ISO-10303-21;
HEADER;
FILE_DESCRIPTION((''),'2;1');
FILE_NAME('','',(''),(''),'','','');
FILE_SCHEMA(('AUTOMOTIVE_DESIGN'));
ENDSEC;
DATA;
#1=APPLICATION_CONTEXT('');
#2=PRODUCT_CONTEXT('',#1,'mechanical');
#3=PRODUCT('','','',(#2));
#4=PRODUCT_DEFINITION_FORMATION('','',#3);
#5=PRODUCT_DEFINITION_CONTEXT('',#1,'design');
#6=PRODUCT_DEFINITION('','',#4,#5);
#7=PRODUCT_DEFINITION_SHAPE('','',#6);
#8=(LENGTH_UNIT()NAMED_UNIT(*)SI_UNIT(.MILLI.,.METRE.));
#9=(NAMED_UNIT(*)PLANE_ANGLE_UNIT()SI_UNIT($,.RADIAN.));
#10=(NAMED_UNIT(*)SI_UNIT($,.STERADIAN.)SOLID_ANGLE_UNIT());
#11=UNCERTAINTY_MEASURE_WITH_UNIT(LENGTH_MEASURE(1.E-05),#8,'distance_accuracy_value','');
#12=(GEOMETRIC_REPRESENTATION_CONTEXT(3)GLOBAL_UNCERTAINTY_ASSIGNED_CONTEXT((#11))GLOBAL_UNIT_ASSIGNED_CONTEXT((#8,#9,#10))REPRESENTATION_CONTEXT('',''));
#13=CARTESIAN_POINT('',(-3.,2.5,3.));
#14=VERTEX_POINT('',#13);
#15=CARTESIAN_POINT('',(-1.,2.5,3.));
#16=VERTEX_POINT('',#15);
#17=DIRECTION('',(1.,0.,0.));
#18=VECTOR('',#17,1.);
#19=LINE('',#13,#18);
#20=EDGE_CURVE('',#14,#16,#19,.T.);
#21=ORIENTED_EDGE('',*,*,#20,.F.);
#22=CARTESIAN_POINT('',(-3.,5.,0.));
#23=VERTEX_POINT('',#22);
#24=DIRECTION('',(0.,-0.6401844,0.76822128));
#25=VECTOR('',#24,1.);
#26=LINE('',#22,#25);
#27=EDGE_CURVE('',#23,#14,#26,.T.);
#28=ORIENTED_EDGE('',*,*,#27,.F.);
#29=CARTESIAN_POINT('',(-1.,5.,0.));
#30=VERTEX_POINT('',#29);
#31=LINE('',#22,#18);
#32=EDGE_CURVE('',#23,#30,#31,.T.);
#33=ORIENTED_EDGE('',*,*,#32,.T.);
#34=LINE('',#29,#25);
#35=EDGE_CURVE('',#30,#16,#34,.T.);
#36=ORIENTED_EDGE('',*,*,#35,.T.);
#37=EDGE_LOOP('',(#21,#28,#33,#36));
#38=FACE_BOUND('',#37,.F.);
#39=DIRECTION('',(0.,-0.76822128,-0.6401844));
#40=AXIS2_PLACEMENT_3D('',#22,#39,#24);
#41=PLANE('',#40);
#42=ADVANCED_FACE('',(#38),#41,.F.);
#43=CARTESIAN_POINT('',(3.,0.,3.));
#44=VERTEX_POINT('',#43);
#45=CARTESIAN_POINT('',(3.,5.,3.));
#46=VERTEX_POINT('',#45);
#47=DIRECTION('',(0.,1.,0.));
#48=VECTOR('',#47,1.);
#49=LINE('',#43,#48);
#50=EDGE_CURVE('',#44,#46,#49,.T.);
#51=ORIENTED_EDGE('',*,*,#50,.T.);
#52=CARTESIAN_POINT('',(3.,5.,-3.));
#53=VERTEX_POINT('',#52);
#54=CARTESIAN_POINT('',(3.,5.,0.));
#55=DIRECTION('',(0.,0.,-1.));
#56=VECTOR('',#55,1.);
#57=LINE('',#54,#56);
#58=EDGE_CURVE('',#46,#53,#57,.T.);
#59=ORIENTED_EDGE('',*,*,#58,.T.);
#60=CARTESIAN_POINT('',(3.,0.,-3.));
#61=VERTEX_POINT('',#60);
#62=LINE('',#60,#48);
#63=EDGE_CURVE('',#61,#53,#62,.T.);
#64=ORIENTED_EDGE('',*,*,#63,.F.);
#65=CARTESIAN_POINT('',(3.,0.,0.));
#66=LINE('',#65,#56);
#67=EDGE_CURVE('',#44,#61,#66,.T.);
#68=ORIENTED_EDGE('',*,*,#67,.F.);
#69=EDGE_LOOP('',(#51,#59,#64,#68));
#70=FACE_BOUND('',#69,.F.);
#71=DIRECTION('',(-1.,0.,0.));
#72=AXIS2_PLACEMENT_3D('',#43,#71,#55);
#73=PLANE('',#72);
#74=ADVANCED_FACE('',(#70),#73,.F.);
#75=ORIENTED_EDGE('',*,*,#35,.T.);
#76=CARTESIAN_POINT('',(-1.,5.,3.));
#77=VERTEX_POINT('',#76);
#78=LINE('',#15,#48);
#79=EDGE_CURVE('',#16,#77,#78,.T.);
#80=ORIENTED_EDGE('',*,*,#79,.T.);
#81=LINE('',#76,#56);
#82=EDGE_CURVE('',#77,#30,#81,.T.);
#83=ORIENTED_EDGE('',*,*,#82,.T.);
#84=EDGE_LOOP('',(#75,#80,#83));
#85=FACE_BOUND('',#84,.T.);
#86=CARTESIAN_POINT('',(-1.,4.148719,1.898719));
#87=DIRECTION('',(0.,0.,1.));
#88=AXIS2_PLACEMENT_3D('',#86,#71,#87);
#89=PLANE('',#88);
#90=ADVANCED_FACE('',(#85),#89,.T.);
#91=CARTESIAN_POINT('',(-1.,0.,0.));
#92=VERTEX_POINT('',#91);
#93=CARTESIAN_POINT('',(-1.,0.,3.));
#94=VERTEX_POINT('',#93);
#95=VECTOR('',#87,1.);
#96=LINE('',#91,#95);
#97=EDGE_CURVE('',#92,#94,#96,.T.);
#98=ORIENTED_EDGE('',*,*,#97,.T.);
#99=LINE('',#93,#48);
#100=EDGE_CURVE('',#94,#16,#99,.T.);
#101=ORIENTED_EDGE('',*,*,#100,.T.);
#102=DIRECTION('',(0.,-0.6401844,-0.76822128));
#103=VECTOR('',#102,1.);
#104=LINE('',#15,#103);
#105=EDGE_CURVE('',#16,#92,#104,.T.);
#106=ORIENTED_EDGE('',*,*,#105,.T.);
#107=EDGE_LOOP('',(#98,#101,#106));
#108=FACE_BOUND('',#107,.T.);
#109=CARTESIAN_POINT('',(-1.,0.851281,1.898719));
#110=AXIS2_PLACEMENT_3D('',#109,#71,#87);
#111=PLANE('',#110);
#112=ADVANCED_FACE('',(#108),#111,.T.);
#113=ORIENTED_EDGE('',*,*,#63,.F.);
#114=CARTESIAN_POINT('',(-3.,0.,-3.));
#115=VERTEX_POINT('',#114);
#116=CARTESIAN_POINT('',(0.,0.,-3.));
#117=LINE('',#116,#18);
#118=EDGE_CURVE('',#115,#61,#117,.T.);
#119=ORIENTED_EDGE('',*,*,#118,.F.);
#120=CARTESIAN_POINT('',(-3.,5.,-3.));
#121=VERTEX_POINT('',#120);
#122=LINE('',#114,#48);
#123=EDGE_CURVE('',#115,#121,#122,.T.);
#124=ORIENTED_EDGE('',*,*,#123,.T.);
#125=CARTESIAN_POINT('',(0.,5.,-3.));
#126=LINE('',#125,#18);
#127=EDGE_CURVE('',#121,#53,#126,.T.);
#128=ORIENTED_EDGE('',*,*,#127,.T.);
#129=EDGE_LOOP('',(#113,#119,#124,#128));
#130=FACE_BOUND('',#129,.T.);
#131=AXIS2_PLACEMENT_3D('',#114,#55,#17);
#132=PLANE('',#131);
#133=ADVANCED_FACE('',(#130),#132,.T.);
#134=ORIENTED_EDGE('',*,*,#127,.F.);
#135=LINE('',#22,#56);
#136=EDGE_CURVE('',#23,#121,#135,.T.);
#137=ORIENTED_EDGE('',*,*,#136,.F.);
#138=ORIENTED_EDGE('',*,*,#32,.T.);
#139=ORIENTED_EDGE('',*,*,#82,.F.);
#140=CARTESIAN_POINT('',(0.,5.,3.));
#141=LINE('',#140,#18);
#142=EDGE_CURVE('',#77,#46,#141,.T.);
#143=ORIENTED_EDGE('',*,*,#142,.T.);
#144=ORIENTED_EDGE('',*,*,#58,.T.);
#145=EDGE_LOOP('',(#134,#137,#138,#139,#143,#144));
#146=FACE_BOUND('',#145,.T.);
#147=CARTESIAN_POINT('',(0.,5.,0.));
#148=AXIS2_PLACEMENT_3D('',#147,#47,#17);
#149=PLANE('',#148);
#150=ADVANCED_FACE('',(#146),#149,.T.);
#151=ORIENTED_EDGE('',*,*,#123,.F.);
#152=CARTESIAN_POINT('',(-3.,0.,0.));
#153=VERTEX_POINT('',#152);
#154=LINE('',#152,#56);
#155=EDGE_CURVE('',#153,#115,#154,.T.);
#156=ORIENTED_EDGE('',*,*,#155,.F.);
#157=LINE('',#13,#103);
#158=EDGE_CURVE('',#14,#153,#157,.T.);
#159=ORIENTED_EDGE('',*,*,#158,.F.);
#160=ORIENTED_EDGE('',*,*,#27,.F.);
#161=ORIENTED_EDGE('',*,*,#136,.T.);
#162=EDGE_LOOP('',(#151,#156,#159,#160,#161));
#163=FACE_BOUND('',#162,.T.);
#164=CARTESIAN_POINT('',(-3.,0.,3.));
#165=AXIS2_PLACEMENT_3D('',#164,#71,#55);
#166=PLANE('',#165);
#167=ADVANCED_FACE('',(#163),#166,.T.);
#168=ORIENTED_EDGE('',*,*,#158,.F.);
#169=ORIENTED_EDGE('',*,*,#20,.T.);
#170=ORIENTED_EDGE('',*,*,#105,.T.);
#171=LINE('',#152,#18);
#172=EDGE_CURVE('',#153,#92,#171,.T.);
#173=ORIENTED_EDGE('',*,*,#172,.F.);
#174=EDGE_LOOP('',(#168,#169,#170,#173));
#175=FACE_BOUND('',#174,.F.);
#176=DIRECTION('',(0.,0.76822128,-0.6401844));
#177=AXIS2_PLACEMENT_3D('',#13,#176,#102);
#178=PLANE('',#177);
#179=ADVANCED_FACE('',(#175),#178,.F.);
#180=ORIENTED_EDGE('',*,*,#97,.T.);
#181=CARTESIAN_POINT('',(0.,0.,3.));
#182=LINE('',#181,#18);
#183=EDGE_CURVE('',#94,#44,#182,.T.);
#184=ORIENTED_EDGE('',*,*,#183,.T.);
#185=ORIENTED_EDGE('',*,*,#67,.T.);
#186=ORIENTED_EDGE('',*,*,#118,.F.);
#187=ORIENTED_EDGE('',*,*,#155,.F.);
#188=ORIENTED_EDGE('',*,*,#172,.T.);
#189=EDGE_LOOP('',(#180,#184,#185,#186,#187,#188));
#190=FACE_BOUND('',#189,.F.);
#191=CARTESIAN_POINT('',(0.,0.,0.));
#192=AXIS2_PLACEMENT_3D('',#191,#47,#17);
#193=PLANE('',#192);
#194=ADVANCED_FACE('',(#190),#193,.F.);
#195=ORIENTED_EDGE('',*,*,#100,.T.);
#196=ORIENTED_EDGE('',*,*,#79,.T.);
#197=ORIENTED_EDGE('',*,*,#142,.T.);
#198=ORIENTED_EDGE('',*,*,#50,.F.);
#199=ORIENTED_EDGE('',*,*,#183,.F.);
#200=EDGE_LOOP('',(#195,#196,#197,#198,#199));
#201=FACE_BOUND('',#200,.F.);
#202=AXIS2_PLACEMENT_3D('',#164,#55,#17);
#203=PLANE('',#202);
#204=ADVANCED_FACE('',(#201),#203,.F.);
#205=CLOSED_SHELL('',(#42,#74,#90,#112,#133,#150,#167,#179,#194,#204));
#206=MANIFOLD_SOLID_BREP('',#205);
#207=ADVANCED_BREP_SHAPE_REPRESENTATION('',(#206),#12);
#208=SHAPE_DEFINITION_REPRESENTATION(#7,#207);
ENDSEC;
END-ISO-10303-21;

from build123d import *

# Parameters (mm, degrees)
SKETCH1_W           = 6
SKETCH1_H           = 6
BOSS_EXTRUDE1_DEPTH = 5
CUT_EXTRUDE1_DEPTH  = 2


with BuildPart() as part:
    # Sketch1 → Boss-Extrude1 (new body)
    with BuildSketch(Plane(origin=(0, 0, 0), x_dir=(1, 0, 0), z_dir=(0, 1, 0))):
        Rectangle(SKETCH1_W, SKETCH1_H)
    extrude(amount=BOSS_EXTRUDE1_DEPTH)

    # Sketch2 → Cut-Extrude1 (cut)
    with BuildSketch(Plane.ZY.offset(3)):
        Polygon((3, 5), (0, 5), (3, 2.5), align=None)
        Polygon((3, 0), (3, 2.5), (0, 0), align=None)
    extrude(amount=-CUT_EXTRUDE1_DEPTH, mode=Mode.SUBTRACT)


solid = part.part
